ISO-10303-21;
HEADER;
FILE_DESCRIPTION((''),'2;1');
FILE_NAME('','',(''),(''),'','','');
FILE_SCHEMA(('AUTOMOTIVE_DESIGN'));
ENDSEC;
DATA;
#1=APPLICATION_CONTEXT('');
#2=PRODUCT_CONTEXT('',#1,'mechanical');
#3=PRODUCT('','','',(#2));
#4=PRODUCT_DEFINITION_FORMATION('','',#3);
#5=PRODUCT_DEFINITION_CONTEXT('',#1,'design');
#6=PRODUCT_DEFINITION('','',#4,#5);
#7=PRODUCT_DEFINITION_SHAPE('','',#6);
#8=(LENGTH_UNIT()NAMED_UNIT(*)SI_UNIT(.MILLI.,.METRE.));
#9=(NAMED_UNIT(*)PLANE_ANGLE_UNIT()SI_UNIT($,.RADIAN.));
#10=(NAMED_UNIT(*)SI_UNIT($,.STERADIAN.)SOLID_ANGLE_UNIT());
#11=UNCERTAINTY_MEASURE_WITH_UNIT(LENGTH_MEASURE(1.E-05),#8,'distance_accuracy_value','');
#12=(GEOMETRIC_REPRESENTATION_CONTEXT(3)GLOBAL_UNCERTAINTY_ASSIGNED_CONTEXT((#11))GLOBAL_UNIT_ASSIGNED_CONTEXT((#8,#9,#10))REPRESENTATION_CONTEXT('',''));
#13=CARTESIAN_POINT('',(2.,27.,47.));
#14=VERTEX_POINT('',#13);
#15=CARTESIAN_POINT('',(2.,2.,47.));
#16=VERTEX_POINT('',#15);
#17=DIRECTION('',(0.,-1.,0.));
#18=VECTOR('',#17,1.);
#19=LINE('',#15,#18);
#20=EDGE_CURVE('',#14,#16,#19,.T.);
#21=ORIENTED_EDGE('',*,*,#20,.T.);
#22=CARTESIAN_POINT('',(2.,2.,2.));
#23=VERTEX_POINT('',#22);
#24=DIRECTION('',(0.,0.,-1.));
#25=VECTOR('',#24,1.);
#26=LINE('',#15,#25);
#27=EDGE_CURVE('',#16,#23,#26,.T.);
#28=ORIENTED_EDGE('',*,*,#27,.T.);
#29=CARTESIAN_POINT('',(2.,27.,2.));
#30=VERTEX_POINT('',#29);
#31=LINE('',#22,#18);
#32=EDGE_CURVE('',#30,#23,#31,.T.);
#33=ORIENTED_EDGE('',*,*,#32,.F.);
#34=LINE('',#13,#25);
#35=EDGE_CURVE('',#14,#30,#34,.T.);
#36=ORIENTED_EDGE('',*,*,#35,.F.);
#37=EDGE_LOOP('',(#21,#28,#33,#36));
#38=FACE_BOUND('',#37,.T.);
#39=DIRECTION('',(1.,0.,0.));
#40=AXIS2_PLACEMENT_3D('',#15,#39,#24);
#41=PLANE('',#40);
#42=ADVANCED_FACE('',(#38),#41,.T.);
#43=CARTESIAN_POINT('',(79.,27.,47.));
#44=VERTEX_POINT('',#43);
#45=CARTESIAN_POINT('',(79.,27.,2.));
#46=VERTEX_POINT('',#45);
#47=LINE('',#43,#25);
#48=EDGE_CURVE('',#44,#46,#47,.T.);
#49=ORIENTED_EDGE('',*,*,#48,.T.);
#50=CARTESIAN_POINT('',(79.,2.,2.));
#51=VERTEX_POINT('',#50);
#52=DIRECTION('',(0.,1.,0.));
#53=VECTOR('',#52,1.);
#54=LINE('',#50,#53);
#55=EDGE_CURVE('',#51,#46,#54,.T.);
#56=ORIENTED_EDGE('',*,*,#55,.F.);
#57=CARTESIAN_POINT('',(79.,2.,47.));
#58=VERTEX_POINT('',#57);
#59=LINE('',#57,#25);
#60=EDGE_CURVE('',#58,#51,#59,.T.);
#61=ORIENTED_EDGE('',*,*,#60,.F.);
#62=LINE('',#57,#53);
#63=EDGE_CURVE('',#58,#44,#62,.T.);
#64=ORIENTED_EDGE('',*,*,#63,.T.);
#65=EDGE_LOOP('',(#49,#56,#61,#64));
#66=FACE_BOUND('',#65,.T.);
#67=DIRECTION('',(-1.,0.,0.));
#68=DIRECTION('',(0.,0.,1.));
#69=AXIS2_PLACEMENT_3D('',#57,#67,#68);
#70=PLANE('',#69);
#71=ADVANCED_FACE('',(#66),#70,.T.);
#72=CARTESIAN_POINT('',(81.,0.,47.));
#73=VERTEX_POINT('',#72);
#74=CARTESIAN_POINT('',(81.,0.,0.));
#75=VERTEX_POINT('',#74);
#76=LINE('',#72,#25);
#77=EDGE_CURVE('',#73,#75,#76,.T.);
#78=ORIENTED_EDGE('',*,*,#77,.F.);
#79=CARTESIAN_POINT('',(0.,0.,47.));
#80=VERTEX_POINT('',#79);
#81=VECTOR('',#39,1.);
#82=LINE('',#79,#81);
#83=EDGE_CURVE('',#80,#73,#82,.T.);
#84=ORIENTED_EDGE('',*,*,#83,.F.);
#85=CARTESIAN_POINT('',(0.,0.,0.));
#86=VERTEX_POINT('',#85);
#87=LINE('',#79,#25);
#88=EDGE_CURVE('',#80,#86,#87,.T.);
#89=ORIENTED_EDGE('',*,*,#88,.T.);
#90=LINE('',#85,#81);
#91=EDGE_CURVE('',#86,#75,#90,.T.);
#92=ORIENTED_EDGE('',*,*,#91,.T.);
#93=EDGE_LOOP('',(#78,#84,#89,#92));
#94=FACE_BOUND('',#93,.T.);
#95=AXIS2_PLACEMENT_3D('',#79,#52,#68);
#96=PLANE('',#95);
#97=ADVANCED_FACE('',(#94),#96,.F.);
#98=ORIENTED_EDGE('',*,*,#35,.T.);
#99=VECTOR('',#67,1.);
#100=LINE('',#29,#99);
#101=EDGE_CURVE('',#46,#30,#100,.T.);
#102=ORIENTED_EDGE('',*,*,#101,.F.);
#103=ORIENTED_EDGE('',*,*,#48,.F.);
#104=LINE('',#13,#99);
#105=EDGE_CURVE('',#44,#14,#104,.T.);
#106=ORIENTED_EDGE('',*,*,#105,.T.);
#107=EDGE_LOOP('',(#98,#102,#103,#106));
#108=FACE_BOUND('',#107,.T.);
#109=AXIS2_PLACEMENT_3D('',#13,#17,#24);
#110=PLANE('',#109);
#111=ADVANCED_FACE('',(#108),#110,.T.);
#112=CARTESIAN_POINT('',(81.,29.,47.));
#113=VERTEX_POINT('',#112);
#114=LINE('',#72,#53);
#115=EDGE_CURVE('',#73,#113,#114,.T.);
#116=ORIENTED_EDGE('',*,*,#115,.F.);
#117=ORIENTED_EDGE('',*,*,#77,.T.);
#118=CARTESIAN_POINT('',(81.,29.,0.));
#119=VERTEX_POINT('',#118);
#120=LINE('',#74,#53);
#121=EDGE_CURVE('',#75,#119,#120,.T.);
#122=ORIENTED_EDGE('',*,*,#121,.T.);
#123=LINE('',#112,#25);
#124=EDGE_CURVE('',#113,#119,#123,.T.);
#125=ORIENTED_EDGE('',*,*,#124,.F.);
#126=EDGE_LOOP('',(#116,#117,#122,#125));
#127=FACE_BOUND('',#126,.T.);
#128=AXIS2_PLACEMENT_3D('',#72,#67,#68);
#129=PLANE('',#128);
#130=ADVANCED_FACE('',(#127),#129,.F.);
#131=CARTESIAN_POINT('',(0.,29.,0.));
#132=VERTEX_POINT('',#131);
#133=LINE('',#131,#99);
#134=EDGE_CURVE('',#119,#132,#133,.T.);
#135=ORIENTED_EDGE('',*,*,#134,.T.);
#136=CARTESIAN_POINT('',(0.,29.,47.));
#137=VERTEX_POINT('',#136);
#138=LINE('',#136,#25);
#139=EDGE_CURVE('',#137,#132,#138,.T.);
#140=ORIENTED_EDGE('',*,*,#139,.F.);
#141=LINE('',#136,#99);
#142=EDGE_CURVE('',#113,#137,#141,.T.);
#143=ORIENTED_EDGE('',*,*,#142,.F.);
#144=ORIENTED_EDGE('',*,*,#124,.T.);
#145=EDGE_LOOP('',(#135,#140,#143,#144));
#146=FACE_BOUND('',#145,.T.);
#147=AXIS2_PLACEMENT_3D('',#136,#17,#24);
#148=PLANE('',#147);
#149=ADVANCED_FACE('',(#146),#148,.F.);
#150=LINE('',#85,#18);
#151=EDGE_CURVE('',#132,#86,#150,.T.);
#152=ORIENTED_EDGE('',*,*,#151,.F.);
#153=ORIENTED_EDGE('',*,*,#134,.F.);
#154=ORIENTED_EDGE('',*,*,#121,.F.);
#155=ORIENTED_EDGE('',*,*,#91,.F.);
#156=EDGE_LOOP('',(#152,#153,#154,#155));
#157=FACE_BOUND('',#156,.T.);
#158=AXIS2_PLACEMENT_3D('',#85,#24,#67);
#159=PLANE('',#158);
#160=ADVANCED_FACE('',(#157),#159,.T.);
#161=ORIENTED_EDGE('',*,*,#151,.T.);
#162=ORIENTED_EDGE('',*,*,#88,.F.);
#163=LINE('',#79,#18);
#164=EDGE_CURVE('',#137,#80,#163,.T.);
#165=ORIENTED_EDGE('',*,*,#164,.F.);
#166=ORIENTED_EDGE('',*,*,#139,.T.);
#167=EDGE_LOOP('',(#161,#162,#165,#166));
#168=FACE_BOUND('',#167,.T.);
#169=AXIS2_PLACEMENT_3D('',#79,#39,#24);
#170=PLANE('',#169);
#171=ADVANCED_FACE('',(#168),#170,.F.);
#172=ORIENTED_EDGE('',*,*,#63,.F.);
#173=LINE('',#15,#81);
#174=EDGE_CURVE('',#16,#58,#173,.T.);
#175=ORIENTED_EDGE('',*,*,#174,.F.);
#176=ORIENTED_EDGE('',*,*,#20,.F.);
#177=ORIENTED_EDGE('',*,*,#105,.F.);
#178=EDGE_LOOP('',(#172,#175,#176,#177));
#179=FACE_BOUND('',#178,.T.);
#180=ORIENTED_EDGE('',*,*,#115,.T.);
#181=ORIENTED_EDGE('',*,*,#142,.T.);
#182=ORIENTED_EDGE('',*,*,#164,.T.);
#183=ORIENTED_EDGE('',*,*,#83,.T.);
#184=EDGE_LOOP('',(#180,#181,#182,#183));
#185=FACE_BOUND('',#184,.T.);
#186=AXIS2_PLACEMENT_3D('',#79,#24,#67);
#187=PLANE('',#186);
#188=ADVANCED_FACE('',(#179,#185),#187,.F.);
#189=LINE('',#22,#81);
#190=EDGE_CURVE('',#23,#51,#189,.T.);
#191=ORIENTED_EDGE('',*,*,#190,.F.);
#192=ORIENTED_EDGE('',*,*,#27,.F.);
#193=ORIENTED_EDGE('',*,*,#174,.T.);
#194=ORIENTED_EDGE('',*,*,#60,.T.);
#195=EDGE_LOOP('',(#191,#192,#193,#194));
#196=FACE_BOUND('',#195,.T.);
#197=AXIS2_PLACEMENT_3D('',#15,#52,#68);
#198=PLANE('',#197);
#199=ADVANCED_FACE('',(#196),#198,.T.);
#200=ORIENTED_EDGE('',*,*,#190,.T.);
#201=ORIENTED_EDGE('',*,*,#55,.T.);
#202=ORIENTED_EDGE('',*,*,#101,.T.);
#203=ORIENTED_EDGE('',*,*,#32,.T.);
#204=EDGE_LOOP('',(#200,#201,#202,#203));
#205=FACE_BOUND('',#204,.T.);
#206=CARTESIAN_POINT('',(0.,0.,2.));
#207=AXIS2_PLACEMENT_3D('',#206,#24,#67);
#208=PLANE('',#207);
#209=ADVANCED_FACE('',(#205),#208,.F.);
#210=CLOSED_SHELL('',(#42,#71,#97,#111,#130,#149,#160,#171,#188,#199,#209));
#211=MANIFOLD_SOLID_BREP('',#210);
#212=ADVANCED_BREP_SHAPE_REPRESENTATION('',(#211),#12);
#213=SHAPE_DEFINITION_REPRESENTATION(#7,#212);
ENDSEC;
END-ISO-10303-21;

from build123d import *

# Parameters (mm, degrees)
SKETCH1_W     = 81
SKETCH1_H     = 29
SKETCH1_W_2   = 77
SKETCH1_H_2   = 25
PROFILE_DEPTH = 47
SKETCH2_W     = 77
SKETCH2_H     = 25
BACK_DEPTH    = 2


with BuildPart() as part:
    # Sketch1 → Profile (new body)
    with BuildSketch(Plane.XY):
        with Locations((40.5, 14.5)):
            Rectangle(SKETCH1_W, SKETCH1_H)
        with Locations((40.5, 14.5)):
            Rectangle(SKETCH1_W_2, SKETCH1_H_2, mode=Mode.SUBTRACT)
    extrude(amount=PROFILE_DEPTH)

    # Sketch2 → Back (add)
    with BuildSketch(Plane.XY):
        with Locations((40.5, 14.5)):
            Rectangle(SKETCH2_W, SKETCH2_H)
    extrude(amount=BACK_DEPTH)


solid = part.part
